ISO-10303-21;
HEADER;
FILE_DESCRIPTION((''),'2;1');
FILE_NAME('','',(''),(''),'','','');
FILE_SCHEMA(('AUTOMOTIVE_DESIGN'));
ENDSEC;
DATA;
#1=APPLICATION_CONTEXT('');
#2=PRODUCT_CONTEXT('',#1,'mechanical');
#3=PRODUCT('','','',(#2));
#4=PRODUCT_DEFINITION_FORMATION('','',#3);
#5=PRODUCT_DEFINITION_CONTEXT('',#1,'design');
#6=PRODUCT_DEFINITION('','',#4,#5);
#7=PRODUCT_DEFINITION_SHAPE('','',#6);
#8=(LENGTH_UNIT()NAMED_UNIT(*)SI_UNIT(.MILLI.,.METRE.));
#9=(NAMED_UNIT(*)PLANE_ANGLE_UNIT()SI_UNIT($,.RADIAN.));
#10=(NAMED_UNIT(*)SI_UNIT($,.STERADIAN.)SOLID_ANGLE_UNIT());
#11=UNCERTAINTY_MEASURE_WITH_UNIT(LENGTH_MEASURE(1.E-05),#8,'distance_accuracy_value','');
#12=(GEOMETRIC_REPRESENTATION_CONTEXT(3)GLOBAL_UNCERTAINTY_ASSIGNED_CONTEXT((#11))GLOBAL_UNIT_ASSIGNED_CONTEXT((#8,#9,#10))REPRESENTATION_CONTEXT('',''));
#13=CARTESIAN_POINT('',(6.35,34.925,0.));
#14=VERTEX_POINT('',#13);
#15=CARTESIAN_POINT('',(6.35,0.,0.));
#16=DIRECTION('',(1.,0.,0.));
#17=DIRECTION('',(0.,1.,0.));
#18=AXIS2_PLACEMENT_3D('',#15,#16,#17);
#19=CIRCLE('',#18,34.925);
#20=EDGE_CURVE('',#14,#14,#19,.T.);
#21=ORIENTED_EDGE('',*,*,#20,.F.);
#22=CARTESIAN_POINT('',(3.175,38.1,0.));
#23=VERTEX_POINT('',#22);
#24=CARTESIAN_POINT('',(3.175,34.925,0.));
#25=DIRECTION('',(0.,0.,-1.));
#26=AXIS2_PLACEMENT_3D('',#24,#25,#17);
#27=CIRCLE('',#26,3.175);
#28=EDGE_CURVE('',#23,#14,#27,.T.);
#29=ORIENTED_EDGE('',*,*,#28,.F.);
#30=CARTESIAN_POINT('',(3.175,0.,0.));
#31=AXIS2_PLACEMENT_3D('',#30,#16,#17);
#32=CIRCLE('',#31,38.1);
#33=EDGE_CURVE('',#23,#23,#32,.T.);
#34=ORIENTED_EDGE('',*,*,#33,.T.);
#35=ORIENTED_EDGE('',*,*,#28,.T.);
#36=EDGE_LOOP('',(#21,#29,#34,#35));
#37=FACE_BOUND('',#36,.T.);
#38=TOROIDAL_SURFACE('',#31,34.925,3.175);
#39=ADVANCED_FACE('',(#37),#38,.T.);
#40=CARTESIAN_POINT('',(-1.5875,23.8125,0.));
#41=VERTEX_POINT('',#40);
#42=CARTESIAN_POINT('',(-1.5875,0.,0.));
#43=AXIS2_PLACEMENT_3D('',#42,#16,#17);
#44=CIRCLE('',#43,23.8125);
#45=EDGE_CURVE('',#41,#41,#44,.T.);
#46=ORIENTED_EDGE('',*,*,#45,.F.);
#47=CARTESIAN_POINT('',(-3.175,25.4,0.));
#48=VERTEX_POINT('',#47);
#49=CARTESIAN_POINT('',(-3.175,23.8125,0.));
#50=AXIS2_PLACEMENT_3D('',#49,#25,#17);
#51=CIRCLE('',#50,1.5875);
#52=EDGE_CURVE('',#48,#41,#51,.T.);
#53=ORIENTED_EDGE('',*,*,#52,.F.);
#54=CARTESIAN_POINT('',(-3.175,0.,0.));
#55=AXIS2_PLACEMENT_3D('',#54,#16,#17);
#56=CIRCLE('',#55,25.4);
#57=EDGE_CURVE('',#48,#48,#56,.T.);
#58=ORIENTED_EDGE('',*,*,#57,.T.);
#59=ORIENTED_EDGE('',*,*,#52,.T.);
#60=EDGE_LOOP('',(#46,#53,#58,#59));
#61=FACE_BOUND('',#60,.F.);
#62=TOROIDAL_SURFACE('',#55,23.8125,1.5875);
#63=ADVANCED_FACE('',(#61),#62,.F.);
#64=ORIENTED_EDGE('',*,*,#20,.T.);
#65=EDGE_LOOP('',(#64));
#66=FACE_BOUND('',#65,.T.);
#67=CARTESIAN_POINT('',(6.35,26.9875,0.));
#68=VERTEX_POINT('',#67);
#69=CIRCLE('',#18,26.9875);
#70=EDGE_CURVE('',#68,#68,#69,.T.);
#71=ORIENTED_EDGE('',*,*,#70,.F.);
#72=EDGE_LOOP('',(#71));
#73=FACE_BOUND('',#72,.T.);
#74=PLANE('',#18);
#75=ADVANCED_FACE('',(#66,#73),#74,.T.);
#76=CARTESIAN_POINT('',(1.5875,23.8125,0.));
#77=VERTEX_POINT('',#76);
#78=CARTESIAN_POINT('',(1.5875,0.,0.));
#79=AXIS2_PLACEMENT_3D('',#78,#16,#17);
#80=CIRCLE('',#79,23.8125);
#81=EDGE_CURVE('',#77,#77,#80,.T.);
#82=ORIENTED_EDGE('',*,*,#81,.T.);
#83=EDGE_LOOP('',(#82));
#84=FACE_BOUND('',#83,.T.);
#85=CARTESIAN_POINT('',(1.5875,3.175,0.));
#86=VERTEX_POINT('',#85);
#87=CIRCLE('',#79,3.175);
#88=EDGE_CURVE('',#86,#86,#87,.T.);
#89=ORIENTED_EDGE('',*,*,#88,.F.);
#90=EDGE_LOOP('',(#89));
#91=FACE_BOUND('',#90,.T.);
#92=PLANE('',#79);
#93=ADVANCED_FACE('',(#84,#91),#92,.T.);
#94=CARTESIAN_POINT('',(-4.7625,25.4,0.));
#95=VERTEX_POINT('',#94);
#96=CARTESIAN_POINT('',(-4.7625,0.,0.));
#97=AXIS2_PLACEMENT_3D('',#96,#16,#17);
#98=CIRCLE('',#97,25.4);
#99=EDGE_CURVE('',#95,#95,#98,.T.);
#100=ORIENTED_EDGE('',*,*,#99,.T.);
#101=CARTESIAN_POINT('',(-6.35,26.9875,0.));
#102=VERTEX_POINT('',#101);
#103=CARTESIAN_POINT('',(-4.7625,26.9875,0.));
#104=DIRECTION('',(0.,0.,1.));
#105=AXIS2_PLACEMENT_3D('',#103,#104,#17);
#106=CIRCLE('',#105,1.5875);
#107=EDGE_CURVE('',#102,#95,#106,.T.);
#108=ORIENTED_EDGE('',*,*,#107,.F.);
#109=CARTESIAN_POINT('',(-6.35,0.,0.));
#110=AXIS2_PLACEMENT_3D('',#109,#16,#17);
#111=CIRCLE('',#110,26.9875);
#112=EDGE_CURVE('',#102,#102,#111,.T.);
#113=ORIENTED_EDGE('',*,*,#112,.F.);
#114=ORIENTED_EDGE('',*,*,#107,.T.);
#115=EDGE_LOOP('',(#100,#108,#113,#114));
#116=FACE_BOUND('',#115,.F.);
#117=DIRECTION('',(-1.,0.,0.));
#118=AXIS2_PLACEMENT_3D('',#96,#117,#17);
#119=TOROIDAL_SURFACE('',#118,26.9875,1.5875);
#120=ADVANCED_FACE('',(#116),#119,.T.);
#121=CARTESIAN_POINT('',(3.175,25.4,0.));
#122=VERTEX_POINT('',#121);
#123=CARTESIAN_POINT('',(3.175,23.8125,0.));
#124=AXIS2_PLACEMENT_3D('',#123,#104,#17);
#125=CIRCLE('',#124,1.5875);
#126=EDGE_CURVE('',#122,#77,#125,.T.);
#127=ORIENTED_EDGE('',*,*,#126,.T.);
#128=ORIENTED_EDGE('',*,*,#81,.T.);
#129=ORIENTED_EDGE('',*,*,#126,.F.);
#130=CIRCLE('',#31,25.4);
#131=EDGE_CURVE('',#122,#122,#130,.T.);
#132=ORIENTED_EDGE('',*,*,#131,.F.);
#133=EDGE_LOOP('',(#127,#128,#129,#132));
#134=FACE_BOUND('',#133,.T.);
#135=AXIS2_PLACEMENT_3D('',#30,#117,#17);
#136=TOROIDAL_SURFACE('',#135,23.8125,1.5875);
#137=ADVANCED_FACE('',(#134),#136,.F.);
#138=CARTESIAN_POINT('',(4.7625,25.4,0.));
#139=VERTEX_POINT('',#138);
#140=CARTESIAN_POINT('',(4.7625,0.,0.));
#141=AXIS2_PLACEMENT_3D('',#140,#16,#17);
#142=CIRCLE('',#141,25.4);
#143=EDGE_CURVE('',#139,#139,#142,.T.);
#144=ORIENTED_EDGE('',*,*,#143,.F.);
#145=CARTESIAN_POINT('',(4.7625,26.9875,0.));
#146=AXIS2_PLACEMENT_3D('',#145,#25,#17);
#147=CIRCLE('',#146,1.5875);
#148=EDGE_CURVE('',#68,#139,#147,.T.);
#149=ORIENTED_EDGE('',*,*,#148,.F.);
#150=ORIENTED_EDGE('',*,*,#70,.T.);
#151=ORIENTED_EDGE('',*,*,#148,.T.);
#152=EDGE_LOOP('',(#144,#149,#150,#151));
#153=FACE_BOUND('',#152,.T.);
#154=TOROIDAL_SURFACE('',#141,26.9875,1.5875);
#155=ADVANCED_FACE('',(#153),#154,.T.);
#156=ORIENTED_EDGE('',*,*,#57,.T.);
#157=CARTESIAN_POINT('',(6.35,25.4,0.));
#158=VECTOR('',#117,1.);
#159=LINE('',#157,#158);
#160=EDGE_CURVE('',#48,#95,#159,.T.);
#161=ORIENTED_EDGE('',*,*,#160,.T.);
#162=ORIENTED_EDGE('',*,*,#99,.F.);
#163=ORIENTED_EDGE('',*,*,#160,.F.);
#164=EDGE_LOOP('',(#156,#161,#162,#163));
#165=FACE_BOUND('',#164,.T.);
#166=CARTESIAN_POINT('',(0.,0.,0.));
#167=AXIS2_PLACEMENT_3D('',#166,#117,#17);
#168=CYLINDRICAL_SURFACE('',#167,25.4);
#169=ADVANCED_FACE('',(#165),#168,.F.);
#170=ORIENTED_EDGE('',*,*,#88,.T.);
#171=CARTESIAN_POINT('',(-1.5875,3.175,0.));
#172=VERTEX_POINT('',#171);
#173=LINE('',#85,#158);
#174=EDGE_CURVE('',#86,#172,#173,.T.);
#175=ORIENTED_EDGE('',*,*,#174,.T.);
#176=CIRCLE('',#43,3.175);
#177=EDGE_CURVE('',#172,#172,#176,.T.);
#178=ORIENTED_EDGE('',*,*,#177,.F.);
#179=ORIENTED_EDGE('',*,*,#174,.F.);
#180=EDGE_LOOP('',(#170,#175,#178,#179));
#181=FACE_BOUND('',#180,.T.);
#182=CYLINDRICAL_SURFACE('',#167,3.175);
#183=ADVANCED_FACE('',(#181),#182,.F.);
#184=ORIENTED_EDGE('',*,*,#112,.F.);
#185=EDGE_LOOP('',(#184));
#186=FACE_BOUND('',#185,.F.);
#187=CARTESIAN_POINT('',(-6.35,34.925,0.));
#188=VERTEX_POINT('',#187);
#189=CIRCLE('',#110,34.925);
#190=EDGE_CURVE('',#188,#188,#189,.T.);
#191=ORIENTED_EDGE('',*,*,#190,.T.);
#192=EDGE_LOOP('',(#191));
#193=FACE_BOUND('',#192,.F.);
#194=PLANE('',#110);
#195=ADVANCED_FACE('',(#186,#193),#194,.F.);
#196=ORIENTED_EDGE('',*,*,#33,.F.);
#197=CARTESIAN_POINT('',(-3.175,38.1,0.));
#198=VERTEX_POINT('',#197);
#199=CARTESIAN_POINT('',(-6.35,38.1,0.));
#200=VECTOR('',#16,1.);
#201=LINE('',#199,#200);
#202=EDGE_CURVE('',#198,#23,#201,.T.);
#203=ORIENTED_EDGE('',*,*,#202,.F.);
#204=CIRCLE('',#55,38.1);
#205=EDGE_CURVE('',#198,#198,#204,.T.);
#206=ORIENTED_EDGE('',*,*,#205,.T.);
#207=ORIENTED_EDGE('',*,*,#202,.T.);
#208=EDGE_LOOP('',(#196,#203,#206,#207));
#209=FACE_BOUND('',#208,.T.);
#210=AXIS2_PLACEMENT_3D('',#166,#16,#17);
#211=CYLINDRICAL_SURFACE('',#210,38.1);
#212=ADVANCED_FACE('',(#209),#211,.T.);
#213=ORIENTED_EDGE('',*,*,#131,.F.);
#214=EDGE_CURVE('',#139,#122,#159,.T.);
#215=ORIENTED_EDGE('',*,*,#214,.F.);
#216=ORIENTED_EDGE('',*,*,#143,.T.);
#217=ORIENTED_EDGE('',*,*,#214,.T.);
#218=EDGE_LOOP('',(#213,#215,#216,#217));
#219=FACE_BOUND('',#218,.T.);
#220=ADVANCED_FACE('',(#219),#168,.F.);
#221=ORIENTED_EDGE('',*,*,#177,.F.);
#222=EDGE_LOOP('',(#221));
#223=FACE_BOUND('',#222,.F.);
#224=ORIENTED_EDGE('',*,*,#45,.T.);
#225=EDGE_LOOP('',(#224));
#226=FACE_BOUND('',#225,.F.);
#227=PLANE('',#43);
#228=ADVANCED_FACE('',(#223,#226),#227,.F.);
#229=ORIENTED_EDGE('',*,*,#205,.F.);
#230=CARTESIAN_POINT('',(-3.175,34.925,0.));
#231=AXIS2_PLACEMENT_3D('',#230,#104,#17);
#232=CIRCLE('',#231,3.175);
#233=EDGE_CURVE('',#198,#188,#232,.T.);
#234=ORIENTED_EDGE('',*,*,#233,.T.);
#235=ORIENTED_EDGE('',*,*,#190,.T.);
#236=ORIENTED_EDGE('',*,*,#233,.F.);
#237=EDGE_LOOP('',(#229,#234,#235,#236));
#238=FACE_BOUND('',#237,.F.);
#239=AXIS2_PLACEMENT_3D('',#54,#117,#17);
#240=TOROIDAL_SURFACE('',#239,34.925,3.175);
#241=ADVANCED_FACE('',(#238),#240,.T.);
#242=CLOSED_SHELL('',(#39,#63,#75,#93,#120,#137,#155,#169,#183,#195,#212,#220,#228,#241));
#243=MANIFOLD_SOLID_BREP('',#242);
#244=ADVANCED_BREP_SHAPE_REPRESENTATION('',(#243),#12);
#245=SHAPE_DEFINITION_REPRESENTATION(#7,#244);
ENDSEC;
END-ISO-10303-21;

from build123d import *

# Parameters (mm, degrees)
F0_R     = 25.4
F0_R_2   = 3.175
F1_DEPTH = 1.5875
F0_R_3   = 38.1
F2_DEPTH = 6.35
F3_R     = 3.175
F4_R     = 1.5875


with BuildPart() as f1:
    # F0 (on Right) → F1 (new body, symmetric)
    with BuildSketch(Plane.YZ):
        Circle(F0_R)
        Circle(F0_R_2, mode=Mode.SUBTRACT)
    extrude(amount=F1_DEPTH, both=True)

    # F0 (on Right) → F2 (join, symmetric)
    with BuildSketch(Plane.YZ):
        Circle(F0_R_3)
        Circle(F0_R, mode=Mode.SUBTRACT)
    extrude(amount=F2_DEPTH, both=True)

    # F3
    f3_edges = [f1.edges().sort_by_distance(p)[0] for p in [
        (-6.35, -38.1, 0),
        (6.35, -38.1, 0),
    ]]
    fillet(f3_edges, radius=F3_R)

    # F4
    f4_edges = [f1.edges().sort_by_distance(p)[0] for p in [
        (1.5875, -25.4, 0),
        (6.35, -25.4, 0),
        (-1.5875, -25.4, 0),
        (-6.35, -25.4, 0),
    ]]
    fillet(f4_edges, radius=F4_R)


solid = f1.part
